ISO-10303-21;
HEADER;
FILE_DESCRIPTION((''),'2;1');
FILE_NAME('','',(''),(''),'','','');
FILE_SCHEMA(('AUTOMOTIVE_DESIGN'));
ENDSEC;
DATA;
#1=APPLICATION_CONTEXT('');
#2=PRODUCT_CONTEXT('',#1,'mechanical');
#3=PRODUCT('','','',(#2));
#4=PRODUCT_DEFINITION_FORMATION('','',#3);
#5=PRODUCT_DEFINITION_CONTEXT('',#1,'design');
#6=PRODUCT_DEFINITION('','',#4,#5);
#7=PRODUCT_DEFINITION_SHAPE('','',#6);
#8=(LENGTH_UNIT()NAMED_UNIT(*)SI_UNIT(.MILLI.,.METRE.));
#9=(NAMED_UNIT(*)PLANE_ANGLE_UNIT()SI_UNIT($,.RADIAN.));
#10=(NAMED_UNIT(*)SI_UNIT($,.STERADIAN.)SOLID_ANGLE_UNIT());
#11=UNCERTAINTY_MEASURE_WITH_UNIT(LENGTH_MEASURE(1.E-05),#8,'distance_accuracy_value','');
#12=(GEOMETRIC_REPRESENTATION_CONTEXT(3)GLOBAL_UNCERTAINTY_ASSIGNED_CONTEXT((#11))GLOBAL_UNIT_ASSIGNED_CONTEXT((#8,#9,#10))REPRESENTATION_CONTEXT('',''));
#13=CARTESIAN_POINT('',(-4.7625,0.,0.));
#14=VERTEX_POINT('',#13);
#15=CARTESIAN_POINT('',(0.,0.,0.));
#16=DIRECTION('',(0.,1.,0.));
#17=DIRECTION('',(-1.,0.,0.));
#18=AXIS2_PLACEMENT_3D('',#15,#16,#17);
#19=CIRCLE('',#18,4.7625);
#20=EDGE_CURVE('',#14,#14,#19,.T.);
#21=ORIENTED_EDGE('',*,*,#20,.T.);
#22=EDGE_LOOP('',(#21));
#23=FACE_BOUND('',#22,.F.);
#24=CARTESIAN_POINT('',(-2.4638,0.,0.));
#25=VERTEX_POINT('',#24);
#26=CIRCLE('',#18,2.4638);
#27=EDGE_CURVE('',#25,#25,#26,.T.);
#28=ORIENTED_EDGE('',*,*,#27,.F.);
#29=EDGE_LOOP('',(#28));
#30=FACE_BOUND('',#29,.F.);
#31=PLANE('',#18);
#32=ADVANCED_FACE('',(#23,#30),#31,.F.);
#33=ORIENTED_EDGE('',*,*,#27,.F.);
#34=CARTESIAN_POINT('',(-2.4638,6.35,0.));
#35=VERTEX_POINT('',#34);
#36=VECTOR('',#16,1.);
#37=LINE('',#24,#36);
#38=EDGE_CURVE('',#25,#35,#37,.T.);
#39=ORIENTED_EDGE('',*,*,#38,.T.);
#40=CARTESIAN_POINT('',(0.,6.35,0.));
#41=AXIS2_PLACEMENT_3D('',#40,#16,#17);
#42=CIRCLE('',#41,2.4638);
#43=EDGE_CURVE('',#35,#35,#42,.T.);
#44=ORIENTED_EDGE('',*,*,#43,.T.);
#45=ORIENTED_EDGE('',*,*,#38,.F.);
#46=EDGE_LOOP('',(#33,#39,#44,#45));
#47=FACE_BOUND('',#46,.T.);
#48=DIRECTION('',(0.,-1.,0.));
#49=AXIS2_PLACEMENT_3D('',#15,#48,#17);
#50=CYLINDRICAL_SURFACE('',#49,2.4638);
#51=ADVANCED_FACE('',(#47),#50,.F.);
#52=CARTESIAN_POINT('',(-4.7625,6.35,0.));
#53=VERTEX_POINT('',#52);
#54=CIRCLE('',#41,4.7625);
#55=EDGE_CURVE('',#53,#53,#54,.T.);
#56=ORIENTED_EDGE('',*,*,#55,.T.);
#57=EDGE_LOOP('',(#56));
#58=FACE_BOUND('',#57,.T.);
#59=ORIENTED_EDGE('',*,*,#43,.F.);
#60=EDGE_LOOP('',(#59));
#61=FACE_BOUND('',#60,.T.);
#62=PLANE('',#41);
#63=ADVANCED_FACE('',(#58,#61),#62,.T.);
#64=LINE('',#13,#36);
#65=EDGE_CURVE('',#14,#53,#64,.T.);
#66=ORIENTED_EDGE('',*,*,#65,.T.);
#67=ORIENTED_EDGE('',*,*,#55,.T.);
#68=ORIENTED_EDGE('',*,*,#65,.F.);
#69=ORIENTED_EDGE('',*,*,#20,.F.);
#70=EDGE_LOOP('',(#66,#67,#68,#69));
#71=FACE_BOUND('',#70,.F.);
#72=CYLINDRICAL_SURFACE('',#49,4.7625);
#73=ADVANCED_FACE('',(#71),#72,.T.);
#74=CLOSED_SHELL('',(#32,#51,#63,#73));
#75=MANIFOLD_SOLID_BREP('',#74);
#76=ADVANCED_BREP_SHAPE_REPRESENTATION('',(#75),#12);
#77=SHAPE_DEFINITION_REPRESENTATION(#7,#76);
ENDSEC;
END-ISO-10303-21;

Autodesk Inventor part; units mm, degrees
ref_plane "YZ Plane" through (0, 0, 0) normal (1, 0, 0) x (0, 1, 0)
ref_plane "XZ Plane" through (0, 0, 0) normal (0, 1, 0) x (-1, 0, 0)
ref_plane "XY Plane" through (0, 0, 0) normal (0, 0, 1) x (1, 0, 0)
sketch "Sketch1" plane through (0, 0, 0) normal (0, 1, 0) x (-1, 0, 0)
  circle A0 centre (0, 0) radius 2.4638
  circle A1 centre (0, 0) radius 4.7625
  dimension "d0" = 4.9276
  dimension "d1" = 9.525
extrude "Extrusion1" add sketch "Sketch1" along normal blind 6.35
properties part number ".25 in Grey Spacer" material "Nylon 6"
